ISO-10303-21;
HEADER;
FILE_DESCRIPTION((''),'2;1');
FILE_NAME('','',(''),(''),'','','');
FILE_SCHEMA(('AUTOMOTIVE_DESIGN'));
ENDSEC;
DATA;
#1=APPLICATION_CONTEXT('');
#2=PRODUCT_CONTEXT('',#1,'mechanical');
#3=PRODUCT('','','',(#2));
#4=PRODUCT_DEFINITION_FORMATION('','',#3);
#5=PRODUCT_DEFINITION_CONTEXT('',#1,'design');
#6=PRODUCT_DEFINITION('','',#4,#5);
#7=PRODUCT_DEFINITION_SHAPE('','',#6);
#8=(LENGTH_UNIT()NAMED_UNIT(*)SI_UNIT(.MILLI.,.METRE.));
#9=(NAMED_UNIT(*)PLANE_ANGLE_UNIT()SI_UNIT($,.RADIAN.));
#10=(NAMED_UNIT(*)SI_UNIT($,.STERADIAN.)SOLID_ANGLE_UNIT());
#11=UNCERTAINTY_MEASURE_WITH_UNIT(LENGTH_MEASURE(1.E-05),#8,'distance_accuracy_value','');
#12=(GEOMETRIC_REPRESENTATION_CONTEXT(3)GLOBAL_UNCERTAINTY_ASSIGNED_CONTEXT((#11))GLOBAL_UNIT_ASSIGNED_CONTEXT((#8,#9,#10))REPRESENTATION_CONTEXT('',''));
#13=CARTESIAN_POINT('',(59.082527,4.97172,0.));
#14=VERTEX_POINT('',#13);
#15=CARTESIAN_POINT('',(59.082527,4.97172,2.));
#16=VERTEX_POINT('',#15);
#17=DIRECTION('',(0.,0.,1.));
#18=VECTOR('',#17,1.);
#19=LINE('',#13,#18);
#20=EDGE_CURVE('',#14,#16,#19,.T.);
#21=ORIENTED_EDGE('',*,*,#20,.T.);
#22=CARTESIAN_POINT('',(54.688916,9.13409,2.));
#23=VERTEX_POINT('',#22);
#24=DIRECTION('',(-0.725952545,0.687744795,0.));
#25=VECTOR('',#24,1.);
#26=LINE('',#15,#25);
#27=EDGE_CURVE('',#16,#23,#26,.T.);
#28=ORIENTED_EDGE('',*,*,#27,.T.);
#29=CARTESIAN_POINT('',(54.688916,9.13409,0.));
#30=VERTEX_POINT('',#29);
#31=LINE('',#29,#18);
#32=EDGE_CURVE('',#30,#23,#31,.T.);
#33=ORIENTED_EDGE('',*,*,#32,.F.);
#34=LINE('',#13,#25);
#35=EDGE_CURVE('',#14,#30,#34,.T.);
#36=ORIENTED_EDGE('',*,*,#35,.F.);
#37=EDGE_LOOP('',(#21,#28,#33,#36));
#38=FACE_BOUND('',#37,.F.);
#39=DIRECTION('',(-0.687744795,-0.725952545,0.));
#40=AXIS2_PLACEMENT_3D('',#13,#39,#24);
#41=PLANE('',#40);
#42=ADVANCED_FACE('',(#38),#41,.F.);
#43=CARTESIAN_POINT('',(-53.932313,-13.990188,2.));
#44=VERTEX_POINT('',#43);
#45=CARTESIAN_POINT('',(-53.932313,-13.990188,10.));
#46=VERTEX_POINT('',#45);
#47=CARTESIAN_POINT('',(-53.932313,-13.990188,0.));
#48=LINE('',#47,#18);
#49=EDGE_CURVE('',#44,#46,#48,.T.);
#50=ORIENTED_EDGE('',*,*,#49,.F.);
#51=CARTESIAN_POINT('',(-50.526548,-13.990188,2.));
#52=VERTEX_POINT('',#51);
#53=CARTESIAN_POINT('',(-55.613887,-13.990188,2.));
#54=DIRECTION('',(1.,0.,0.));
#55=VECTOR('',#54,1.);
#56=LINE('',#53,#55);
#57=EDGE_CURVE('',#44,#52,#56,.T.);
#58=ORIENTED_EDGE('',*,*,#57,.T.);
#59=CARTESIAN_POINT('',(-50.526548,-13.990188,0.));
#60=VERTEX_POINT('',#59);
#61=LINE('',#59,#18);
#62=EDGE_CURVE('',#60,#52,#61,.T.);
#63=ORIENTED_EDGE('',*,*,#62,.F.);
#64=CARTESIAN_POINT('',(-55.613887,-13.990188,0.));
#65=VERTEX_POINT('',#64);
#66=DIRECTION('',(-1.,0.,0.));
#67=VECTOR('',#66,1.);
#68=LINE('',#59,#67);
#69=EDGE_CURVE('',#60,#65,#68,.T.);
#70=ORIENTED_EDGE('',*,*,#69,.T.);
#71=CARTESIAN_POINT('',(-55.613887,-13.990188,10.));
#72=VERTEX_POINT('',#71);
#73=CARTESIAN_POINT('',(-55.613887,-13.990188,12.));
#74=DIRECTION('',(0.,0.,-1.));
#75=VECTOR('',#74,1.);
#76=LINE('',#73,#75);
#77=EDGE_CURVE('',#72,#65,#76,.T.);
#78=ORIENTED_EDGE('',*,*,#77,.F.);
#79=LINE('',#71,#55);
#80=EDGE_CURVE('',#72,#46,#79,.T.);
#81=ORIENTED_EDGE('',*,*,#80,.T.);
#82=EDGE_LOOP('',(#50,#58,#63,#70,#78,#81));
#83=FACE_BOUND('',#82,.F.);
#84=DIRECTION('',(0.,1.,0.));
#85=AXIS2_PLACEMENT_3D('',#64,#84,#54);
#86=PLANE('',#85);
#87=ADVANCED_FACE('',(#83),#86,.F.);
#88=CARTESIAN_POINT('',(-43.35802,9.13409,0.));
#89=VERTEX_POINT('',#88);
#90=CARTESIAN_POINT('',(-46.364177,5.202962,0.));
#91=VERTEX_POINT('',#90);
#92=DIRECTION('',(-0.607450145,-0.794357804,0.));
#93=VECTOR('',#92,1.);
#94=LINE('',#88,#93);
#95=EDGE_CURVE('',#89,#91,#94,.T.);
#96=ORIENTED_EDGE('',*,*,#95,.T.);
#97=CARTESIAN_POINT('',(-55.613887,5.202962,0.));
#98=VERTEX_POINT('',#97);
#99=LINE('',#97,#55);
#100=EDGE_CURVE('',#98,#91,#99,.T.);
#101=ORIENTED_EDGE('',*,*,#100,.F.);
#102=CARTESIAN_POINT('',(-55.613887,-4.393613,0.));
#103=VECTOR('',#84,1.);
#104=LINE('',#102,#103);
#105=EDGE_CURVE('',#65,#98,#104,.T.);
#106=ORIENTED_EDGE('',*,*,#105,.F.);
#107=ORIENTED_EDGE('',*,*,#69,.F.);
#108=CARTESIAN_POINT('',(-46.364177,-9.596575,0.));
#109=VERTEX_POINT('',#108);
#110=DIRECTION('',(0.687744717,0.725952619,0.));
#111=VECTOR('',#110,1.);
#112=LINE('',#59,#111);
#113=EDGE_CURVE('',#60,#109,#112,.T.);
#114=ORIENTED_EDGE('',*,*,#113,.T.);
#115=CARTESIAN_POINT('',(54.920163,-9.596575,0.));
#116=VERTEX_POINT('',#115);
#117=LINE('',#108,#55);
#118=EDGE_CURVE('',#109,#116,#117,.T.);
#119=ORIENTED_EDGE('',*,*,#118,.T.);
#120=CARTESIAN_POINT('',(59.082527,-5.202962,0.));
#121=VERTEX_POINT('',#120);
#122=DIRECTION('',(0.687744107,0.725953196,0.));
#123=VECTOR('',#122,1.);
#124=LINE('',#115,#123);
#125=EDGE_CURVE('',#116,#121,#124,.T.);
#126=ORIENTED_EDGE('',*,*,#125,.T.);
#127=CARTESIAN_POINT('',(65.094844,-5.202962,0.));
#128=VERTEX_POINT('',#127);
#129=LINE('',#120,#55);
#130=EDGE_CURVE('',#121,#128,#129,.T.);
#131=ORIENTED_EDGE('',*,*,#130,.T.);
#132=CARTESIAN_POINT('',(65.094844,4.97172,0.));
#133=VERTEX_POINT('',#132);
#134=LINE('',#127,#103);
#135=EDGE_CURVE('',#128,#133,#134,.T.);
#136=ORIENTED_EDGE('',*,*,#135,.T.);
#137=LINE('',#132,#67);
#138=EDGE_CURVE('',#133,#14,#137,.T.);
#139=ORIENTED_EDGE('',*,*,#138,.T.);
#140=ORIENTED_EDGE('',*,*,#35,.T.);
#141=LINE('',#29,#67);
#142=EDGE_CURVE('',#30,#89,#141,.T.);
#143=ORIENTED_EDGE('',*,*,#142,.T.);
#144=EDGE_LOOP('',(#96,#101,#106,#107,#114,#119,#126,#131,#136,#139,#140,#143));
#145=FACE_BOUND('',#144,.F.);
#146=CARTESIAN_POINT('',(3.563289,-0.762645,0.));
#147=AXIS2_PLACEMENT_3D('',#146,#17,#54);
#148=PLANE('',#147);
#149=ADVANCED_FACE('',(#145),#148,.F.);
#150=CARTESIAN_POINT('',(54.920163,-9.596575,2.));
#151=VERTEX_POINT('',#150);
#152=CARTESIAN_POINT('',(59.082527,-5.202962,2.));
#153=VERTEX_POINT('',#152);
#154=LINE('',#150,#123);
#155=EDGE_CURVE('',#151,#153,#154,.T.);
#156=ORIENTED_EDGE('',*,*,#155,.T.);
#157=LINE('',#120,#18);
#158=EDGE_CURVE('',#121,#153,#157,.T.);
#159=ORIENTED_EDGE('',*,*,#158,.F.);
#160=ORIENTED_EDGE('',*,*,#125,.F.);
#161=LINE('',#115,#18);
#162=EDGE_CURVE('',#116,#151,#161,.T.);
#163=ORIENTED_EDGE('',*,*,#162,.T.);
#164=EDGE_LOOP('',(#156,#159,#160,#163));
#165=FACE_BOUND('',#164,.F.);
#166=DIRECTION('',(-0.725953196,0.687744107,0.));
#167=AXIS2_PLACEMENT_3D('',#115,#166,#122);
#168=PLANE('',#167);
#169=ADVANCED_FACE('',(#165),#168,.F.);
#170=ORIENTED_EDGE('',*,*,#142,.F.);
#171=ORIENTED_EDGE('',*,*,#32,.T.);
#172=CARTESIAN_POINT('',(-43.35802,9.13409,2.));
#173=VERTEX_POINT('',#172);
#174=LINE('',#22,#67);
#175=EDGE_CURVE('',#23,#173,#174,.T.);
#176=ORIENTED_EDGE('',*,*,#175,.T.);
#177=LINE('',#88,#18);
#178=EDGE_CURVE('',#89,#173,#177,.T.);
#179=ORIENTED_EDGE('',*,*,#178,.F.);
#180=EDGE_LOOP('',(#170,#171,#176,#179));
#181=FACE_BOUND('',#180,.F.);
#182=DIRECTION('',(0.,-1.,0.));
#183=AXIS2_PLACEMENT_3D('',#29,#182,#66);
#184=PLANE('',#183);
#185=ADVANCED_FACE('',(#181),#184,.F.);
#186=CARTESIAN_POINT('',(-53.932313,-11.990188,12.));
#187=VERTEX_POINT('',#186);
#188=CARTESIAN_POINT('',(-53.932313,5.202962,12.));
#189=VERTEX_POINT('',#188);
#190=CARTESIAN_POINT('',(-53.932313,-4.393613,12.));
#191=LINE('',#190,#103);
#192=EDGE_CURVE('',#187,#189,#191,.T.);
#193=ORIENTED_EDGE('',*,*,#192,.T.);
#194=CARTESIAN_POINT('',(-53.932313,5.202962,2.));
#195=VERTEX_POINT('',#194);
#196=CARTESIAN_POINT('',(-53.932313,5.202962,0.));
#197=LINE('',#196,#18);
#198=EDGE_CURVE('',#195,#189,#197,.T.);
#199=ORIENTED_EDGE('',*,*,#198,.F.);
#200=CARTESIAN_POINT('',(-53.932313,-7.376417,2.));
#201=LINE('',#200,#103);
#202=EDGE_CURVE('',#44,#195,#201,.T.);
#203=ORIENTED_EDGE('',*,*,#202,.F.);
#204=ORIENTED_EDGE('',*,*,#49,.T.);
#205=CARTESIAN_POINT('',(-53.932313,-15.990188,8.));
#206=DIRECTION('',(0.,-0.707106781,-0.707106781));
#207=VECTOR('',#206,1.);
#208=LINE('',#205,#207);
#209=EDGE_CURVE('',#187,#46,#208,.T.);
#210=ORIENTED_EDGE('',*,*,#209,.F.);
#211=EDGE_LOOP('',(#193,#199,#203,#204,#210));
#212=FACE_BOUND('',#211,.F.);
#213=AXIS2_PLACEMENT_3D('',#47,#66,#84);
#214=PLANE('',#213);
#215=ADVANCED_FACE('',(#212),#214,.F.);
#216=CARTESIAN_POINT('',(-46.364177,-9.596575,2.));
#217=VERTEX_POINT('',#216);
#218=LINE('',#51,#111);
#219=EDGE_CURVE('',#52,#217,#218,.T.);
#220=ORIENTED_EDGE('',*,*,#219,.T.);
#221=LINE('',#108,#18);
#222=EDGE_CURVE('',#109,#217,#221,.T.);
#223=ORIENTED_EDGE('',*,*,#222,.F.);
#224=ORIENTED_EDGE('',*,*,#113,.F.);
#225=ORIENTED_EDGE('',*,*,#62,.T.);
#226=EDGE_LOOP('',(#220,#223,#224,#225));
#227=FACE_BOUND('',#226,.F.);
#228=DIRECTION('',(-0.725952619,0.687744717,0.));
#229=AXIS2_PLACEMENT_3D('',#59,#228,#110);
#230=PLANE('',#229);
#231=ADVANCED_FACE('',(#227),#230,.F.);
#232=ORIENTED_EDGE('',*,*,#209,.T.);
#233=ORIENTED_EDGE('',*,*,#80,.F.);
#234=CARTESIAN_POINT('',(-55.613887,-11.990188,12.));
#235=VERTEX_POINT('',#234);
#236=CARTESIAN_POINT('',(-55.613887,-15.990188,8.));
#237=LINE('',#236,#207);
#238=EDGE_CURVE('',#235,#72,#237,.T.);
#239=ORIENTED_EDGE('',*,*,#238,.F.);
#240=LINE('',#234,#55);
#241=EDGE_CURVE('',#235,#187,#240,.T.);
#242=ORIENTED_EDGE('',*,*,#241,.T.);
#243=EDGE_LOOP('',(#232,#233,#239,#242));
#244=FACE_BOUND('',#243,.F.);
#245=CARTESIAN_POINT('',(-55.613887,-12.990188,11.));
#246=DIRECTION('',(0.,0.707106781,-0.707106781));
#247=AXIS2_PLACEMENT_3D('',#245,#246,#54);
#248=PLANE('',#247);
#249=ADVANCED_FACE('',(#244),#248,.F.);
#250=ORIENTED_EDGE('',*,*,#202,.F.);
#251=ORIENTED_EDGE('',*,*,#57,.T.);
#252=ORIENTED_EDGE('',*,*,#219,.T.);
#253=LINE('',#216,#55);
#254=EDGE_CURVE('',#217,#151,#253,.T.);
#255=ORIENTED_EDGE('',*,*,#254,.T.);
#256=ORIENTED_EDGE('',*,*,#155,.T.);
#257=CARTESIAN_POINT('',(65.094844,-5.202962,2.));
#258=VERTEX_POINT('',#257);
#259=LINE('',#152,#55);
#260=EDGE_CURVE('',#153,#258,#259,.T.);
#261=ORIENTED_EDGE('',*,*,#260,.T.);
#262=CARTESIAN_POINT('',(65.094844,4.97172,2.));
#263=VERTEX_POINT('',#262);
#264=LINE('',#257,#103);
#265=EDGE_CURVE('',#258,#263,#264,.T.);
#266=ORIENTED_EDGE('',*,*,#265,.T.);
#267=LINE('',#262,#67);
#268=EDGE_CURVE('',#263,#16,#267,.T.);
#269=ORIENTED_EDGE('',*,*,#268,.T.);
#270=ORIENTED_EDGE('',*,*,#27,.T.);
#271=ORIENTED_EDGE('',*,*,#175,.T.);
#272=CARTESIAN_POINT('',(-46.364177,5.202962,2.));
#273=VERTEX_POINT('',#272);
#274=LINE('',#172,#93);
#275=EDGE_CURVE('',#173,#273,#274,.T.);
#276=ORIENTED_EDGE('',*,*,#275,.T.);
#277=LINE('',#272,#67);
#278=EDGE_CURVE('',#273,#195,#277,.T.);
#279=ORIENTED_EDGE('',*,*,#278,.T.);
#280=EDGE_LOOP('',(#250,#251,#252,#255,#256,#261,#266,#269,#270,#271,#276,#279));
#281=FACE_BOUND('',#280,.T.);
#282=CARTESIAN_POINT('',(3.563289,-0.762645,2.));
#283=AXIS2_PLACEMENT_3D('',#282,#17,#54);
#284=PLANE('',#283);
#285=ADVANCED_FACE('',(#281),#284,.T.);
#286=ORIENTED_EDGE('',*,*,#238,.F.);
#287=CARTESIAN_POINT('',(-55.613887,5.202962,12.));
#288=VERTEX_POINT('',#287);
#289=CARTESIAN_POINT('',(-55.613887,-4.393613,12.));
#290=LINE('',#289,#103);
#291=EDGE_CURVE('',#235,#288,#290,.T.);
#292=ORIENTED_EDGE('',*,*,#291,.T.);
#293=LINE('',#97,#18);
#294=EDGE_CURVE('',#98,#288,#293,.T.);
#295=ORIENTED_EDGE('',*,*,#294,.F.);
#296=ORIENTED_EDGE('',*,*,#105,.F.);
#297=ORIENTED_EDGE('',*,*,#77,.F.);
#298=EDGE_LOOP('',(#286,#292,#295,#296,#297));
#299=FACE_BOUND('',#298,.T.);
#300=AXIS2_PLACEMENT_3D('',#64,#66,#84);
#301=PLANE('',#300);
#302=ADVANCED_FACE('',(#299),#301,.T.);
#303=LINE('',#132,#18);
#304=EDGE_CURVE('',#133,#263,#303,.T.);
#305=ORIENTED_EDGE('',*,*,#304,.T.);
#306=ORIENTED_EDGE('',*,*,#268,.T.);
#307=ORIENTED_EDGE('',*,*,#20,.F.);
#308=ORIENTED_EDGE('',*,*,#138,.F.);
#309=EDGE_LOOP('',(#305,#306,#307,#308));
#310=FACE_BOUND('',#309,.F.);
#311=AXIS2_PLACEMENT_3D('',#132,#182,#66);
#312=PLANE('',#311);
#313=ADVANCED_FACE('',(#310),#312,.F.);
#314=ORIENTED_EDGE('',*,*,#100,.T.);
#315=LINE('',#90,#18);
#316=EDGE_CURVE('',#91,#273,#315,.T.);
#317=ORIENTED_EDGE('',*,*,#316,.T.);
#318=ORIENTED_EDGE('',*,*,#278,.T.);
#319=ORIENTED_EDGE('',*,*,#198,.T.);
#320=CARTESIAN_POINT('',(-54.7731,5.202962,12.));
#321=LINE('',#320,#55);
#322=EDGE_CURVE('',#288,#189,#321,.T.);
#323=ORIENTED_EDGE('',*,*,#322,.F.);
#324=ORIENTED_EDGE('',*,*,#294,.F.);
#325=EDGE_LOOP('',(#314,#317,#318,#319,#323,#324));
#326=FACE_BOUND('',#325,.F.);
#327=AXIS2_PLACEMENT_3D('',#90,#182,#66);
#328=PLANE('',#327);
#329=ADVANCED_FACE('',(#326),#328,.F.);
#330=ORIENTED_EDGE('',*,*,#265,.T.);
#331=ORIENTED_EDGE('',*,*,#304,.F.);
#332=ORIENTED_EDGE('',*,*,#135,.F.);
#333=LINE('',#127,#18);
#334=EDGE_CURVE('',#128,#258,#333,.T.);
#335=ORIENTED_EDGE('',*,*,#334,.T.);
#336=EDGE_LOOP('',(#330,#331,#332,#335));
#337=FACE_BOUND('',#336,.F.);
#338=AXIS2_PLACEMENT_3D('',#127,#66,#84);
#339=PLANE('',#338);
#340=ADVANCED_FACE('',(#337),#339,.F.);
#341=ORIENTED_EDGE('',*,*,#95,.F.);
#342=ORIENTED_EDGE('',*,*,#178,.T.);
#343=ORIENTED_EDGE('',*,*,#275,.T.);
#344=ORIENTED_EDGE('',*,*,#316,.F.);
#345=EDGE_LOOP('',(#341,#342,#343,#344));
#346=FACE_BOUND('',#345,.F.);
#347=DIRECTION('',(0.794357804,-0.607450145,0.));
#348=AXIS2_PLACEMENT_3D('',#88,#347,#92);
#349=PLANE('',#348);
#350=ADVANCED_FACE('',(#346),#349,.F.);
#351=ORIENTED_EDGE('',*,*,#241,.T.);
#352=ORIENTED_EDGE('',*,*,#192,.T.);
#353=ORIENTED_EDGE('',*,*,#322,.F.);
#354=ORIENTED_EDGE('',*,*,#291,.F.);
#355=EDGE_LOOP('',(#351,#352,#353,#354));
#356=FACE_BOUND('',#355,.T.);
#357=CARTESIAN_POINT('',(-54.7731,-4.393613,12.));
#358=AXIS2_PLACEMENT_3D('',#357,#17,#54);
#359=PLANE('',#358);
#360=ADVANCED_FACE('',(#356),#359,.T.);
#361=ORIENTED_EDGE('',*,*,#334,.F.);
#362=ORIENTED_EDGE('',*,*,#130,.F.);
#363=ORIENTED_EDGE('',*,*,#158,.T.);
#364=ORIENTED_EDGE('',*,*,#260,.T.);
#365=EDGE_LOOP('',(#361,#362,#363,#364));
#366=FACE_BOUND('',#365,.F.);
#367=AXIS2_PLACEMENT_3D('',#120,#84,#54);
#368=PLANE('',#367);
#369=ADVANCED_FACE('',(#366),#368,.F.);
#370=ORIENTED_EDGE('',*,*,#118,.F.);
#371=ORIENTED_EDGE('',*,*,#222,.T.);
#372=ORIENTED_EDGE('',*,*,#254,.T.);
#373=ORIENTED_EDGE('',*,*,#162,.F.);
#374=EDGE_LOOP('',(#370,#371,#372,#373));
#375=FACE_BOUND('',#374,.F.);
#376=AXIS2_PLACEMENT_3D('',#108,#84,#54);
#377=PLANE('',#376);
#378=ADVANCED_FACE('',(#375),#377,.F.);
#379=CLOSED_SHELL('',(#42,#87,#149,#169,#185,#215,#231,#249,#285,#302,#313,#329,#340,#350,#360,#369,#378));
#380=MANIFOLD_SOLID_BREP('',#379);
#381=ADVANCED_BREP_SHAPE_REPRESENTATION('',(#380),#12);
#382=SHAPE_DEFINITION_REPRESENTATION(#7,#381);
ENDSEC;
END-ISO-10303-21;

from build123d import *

# Parameters (mm, degrees)
F0_W     = 1.681574
F0_H     = 19.19315
F1_DEPTH = 12
F2_DEPTH = 2
F3_SIZE  = 2


with BuildPart() as f1:
    # F0 (on Top) → F1 (new body)
    with BuildSketch(Plane.XY):
        with Locations((-54.7731, -4.393613)):
            Rectangle(F0_W, F0_H)
    extrude(amount=F1_DEPTH)

    # F0 (on Top) → F2 (join)
    with BuildSketch(Plane.XY):
        Polygon((54.688916, 9.13409), (-43.35802, 9.13409), (-46.364177, 5.202962), (-53.932313, 5.202962), (-53.932313, -13.990188), (-50.526548, -13.990188), (-46.364177, -9.596575), (54.920163, -9.596575), (59.082527, -5.202962), (65.094844, -5.202962), (65.094844, 4.97172), (59.082527, 4.97172), align=None)
        with Locations((-54.7731, -4.393613)):
            Rectangle(F0_W, F0_H)
    extrude(amount=F2_DEPTH)

    # F3
    f3_edges = [f1.edges().sort_by_distance(p)[0] for p in [
        (-54.7731, -13.990188, 12),
    ]]
    chamfer(f3_edges, length=F3_SIZE)


solid = f1.part
